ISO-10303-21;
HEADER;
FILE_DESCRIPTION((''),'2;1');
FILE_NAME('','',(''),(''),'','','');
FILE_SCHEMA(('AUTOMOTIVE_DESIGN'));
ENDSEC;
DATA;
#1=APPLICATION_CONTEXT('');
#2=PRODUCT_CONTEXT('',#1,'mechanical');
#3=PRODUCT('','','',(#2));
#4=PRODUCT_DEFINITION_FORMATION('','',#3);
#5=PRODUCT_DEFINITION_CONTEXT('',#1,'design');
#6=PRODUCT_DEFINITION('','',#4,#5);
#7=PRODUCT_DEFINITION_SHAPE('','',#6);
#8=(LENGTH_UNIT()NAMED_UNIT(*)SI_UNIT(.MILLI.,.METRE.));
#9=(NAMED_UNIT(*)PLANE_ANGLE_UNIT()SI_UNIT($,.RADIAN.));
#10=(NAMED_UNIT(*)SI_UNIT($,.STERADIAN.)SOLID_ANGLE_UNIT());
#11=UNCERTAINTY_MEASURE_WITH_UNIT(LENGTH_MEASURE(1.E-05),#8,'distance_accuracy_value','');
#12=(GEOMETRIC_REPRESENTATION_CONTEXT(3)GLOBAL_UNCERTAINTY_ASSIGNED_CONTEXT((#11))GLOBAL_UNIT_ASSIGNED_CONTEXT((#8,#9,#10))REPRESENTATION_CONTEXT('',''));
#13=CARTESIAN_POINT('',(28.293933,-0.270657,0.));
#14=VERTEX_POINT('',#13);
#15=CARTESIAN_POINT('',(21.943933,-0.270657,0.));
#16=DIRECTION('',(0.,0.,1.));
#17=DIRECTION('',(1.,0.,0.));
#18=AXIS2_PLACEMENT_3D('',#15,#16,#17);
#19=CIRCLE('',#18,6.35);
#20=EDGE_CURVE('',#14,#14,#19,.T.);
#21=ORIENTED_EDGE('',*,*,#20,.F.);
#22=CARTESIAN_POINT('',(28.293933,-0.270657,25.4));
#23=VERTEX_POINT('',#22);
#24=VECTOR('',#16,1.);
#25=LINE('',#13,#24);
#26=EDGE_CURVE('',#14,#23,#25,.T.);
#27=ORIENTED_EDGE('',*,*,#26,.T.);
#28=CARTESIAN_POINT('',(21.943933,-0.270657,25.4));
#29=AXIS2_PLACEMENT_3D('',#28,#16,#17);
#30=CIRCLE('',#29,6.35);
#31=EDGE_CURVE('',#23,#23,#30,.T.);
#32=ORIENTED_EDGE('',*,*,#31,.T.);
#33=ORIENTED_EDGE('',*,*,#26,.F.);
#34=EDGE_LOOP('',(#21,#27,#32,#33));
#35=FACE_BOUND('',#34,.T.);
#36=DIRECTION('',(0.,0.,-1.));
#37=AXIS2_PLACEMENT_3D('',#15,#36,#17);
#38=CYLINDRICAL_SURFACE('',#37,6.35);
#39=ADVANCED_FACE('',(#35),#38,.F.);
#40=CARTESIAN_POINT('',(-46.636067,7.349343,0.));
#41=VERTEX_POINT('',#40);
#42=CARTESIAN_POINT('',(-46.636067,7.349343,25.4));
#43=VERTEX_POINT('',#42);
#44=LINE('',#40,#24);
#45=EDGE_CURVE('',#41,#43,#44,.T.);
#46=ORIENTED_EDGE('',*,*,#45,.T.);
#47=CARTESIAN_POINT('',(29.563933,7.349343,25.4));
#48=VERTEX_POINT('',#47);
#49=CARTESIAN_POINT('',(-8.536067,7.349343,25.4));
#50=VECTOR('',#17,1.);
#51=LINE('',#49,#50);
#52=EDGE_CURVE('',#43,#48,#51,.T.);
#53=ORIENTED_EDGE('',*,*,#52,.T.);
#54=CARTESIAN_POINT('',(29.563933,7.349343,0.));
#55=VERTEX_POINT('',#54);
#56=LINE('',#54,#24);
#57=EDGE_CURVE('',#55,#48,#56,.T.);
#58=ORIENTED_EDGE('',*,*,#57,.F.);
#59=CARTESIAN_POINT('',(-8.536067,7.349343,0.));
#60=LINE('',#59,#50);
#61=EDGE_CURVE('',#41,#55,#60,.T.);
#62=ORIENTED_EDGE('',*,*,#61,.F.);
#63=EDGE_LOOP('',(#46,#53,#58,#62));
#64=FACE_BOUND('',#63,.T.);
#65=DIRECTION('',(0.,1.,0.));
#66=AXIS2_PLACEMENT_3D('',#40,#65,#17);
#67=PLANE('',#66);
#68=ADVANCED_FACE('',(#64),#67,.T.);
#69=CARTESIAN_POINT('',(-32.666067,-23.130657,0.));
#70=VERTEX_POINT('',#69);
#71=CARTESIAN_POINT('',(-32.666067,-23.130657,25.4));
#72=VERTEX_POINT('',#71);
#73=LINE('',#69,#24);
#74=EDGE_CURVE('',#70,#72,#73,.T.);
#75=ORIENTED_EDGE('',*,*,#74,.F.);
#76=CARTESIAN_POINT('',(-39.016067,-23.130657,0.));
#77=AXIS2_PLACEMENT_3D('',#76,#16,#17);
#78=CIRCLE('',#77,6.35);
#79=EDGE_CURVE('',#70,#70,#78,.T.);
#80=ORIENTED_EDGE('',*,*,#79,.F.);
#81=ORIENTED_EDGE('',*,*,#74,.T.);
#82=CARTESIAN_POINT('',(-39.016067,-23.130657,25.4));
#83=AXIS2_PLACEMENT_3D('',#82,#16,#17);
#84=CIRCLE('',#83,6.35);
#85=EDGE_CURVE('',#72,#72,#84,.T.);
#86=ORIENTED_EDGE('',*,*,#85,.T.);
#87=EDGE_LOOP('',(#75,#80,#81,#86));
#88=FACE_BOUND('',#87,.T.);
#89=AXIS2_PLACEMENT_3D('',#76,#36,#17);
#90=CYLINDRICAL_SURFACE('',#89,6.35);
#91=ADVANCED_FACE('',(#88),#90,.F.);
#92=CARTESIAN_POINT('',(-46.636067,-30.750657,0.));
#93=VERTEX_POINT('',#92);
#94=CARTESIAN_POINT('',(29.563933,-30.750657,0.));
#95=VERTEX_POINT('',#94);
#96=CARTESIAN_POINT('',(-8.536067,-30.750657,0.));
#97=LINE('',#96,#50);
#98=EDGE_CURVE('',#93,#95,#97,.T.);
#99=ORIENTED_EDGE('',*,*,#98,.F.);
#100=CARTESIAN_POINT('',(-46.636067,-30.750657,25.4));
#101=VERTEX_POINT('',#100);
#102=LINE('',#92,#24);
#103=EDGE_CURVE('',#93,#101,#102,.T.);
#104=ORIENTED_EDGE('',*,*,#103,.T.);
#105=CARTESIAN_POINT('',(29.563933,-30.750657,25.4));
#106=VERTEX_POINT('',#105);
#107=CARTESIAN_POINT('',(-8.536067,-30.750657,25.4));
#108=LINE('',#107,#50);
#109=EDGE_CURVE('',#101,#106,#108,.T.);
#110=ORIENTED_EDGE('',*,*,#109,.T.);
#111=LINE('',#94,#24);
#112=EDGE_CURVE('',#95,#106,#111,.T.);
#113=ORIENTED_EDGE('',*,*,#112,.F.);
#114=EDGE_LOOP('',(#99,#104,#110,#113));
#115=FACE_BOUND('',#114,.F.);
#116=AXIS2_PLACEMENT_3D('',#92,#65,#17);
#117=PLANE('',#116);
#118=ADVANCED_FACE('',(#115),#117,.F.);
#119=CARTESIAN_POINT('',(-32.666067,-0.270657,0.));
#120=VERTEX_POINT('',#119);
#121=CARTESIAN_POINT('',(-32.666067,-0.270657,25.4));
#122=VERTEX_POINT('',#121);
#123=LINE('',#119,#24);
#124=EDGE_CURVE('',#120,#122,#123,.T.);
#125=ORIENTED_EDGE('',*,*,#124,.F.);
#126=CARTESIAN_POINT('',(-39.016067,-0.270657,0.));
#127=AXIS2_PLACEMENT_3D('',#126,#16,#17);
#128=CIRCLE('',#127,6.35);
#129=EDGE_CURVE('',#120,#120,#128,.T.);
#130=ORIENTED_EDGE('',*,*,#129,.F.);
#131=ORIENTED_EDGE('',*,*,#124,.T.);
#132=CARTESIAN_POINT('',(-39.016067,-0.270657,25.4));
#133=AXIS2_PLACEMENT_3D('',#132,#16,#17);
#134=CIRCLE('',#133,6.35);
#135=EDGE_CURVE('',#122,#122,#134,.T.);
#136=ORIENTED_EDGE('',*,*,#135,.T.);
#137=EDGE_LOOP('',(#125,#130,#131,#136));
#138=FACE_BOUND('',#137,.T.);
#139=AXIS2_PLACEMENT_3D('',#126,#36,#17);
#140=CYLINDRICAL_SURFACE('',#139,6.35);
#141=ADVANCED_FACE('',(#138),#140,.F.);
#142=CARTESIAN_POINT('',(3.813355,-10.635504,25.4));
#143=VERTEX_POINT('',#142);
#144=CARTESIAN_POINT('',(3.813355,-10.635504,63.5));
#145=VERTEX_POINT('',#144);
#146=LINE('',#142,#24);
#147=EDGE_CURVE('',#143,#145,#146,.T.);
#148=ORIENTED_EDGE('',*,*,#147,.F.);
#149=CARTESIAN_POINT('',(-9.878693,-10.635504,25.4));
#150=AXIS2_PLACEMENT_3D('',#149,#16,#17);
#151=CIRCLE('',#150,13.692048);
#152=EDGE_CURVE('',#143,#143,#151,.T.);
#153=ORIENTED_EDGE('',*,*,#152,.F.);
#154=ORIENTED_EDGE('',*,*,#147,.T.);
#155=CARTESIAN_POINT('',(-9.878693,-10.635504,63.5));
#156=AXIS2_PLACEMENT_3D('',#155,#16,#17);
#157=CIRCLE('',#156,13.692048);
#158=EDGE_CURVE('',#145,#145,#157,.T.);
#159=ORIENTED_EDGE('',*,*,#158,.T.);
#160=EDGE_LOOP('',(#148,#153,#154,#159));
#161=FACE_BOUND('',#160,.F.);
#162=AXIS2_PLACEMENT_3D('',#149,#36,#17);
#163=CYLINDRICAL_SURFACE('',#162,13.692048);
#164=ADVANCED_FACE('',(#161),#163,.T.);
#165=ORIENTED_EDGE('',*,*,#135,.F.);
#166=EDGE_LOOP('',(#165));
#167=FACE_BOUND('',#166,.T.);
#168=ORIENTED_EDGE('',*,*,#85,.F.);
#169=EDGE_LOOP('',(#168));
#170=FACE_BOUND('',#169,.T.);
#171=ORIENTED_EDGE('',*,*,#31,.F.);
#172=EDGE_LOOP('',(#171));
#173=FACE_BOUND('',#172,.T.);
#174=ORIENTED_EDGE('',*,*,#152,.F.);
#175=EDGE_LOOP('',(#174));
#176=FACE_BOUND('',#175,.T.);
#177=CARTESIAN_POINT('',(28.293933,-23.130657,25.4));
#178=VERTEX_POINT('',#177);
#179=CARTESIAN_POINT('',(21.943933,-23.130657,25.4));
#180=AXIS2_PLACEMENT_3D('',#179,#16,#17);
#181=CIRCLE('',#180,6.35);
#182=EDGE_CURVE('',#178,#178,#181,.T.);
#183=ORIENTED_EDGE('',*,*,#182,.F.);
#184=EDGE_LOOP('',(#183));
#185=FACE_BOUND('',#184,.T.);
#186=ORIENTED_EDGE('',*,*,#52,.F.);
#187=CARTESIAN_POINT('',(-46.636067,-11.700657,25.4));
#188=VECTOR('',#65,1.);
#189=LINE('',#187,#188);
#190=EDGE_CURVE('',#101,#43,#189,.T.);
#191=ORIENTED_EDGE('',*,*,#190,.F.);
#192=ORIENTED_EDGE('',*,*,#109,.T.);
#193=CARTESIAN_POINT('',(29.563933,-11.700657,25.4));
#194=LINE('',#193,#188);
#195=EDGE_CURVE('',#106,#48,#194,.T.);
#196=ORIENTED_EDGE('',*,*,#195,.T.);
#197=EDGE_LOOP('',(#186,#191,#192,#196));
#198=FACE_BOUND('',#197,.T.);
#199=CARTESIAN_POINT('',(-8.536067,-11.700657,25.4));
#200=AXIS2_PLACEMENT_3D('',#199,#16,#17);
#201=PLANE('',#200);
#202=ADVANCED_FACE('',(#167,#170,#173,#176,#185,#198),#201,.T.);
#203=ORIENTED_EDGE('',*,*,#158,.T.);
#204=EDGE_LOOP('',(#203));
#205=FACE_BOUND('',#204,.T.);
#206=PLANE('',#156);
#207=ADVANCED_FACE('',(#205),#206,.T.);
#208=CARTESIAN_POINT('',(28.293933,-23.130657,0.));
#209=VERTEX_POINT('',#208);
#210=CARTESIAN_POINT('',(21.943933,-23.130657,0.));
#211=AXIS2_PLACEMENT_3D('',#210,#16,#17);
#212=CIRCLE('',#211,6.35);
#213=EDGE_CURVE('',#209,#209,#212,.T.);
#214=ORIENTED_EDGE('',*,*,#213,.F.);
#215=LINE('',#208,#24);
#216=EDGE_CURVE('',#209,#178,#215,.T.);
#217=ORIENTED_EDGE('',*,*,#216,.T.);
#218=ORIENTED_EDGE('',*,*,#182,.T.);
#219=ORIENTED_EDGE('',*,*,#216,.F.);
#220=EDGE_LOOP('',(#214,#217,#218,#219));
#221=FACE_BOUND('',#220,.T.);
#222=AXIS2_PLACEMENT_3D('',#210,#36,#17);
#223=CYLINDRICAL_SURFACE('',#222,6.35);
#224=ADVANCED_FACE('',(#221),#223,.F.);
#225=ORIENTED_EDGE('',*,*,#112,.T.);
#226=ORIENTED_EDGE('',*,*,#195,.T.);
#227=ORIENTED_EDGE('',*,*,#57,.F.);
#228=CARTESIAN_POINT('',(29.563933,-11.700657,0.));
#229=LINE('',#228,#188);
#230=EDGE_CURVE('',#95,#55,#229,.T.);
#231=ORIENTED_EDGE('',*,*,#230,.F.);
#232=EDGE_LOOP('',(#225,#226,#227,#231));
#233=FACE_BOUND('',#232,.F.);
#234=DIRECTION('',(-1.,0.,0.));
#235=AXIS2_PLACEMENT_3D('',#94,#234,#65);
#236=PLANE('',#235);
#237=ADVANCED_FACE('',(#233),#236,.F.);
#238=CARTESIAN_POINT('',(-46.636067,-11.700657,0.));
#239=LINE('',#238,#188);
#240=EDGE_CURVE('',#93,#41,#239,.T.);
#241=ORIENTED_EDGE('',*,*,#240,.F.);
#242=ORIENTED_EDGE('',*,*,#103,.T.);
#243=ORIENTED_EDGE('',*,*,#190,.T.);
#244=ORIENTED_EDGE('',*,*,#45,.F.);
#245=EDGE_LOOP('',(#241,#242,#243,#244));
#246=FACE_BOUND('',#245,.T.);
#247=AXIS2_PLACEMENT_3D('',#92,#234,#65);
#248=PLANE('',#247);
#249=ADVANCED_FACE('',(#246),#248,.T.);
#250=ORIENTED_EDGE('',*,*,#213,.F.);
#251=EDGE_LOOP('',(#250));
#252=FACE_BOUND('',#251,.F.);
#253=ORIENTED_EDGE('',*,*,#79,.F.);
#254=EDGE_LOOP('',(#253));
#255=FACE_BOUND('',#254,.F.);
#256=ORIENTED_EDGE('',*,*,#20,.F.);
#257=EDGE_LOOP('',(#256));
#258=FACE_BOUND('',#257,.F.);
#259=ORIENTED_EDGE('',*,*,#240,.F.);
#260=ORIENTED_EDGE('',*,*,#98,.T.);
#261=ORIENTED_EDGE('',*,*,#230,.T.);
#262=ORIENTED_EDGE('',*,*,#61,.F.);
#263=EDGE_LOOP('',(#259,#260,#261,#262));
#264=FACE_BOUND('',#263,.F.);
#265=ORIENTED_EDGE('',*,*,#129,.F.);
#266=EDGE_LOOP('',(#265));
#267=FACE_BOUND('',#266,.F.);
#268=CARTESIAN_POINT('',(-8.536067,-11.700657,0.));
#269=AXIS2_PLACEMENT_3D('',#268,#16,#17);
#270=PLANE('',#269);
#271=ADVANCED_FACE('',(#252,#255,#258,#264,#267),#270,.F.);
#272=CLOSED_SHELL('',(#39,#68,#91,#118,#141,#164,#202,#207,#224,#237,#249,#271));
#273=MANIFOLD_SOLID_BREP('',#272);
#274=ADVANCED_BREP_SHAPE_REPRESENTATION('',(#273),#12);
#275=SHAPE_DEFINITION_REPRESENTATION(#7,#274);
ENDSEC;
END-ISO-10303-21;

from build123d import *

# Parameters (mm, degrees)
F0_W      = 76.2
F0_H      = 38.1
F1_DEPTH  = 25.4
F2_R      = 6.35
F3_DEPTH  = 25.4
F4_R      = 6.35
F5_DEPTH  = 25.4
F6_R      = 6.35
F7_DEPTH  = 25.4
F8_R      = 6.35
F9_DEPTH  = 25.4
F10_R     = 13.692048
F11_DEPTH = 38.1
F12_W     = 12.7
F12_H     = 12.7


with BuildPart() as f1:
    # F0 (on Top) → F1 (new body)
    with BuildSketch(Plane.XY):
        with Locations((-8.536067, -11.700657)):
            Rectangle(F0_W, F0_H)
    extrude(amount=F1_DEPTH)

    # F2 (on Top) → F3 (cut)
    with BuildSketch(Plane.XY):
        with Locations((-39.016067, -0.270657)):
            Circle(F2_R)
    extrude(amount=F3_DEPTH, mode=Mode.SUBTRACT)

    # F4 (on Top) → F5 (cut)
    with BuildSketch(Plane.XY):
        with Locations((21.943933, -0.270657)):
            Circle(F4_R)
    extrude(amount=F5_DEPTH, mode=Mode.SUBTRACT)

    # F6 (on Top) → F7 (cut)
    with BuildSketch(Plane.XY):
        with Locations((-39.016067, -23.130657)):
            Circle(F6_R)
    extrude(amount=F7_DEPTH, mode=Mode.SUBTRACT)

    # F8 (on Top) → F9 (cut)
    with BuildSketch(Plane.XY):
        with Locations((21.943933, -23.130657)):
            Circle(F8_R)
    extrude(amount=F9_DEPTH, mode=Mode.SUBTRACT)

    # F10 (on face) → F11 (join)
    with BuildSketch(Plane.XY.offset(25.4)):
        with Locations((-9.878693, -10.635504)):
            Circle(F10_R)
    extrude(amount=F11_DEPTH)

    # F12 (on Front) → F13 (revolve, cut)
    with BuildSketch(Plane.XZ):
        with Locations((-25.066885, 39.424001)):
            Rectangle(F12_W, F12_H)
    revolve(axis=Axis((-9.878693, -10.635504, 63.5), (0, 0, 1)), mode=Mode.SUBTRACT)


solid = f1.part
